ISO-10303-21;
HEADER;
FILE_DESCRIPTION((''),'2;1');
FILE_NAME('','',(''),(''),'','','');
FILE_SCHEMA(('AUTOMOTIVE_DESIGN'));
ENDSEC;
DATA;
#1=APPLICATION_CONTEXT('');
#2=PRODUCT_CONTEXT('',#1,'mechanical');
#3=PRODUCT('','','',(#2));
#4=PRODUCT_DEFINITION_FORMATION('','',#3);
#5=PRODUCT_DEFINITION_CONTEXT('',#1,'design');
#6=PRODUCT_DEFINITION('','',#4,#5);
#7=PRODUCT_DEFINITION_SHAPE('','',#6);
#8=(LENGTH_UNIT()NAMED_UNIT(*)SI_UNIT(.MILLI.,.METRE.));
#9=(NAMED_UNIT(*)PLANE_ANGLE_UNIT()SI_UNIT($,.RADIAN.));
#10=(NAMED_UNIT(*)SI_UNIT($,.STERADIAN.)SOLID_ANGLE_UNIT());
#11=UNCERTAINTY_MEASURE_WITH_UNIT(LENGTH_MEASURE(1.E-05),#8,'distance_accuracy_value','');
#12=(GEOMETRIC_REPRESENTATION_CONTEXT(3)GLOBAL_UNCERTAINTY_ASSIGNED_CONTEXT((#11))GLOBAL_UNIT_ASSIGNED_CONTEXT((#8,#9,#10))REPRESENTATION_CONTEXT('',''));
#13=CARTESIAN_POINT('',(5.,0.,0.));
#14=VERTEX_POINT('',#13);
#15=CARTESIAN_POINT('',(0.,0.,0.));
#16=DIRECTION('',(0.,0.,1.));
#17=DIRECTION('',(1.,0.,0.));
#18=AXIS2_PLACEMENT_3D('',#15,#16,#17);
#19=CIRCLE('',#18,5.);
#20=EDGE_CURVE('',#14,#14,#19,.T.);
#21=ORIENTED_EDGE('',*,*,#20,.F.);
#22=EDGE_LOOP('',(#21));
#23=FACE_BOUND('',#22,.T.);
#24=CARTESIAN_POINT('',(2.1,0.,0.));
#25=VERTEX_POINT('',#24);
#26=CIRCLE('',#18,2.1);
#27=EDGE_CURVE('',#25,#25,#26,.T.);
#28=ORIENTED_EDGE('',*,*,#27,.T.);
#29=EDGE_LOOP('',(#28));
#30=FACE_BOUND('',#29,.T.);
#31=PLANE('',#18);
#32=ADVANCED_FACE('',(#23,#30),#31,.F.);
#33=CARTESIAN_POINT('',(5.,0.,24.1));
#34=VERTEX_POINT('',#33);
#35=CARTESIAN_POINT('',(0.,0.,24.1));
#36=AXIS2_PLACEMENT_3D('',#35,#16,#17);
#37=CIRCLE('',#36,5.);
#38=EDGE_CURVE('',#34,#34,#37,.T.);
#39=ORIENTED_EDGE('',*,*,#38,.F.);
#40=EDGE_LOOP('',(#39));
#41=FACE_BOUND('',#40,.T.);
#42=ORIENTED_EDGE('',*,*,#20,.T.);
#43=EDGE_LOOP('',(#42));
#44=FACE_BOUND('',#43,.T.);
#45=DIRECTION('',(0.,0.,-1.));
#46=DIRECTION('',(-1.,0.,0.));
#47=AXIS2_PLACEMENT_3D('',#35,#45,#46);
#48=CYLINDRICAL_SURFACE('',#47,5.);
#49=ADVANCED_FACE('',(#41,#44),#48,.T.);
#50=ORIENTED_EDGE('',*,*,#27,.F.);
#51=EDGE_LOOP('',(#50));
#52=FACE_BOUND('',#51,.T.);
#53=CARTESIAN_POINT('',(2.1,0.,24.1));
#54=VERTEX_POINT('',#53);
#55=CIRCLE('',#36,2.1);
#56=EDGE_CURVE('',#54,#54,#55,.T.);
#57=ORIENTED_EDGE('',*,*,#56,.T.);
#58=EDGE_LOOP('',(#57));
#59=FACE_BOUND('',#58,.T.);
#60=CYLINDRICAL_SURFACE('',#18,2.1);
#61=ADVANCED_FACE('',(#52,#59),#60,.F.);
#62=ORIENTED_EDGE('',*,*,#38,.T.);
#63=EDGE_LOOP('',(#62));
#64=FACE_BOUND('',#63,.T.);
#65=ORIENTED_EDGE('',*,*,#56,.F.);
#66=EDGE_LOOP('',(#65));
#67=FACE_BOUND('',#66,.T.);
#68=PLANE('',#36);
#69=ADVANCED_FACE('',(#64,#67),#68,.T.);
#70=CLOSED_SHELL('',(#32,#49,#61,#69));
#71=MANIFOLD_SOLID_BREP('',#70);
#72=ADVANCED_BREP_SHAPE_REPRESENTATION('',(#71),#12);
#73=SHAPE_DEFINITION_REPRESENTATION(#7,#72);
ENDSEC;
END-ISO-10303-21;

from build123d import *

# Parameters (mm, degrees)
SKETCH_1_R               = 5
EXTRUDE_1_DEPTH          = 24.1
CUT_EXTRUDE_1_DEPTH      = 26.115931199
CUT_EXTRUDE_1_DEPTH_BACK = 26.115931199
SKETCH_2_R               = 2.1


with BuildPart() as part:
    # ｽｹｯﾁ1 → ﾎﾞｽ - 押し出し1 (new body)
    with BuildSketch(Plane.XY):
        Circle(SKETCH_1_R)
    extrude(amount=EXTRUDE_1_DEPTH)

    # ｽｹｯﾁ2 → ｶｯﾄ - 押し出し1 (cut, two sides: drawn at the far end of the back side and taken through both)
    with BuildSketch(Plane.XY.offset(24.1).offset(-CUT_EXTRUDE_1_DEPTH_BACK)):
        Circle(SKETCH_2_R)
    extrude(amount=CUT_EXTRUDE_1_DEPTH + CUT_EXTRUDE_1_DEPTH_BACK, mode=Mode.SUBTRACT)


solid = part.part
